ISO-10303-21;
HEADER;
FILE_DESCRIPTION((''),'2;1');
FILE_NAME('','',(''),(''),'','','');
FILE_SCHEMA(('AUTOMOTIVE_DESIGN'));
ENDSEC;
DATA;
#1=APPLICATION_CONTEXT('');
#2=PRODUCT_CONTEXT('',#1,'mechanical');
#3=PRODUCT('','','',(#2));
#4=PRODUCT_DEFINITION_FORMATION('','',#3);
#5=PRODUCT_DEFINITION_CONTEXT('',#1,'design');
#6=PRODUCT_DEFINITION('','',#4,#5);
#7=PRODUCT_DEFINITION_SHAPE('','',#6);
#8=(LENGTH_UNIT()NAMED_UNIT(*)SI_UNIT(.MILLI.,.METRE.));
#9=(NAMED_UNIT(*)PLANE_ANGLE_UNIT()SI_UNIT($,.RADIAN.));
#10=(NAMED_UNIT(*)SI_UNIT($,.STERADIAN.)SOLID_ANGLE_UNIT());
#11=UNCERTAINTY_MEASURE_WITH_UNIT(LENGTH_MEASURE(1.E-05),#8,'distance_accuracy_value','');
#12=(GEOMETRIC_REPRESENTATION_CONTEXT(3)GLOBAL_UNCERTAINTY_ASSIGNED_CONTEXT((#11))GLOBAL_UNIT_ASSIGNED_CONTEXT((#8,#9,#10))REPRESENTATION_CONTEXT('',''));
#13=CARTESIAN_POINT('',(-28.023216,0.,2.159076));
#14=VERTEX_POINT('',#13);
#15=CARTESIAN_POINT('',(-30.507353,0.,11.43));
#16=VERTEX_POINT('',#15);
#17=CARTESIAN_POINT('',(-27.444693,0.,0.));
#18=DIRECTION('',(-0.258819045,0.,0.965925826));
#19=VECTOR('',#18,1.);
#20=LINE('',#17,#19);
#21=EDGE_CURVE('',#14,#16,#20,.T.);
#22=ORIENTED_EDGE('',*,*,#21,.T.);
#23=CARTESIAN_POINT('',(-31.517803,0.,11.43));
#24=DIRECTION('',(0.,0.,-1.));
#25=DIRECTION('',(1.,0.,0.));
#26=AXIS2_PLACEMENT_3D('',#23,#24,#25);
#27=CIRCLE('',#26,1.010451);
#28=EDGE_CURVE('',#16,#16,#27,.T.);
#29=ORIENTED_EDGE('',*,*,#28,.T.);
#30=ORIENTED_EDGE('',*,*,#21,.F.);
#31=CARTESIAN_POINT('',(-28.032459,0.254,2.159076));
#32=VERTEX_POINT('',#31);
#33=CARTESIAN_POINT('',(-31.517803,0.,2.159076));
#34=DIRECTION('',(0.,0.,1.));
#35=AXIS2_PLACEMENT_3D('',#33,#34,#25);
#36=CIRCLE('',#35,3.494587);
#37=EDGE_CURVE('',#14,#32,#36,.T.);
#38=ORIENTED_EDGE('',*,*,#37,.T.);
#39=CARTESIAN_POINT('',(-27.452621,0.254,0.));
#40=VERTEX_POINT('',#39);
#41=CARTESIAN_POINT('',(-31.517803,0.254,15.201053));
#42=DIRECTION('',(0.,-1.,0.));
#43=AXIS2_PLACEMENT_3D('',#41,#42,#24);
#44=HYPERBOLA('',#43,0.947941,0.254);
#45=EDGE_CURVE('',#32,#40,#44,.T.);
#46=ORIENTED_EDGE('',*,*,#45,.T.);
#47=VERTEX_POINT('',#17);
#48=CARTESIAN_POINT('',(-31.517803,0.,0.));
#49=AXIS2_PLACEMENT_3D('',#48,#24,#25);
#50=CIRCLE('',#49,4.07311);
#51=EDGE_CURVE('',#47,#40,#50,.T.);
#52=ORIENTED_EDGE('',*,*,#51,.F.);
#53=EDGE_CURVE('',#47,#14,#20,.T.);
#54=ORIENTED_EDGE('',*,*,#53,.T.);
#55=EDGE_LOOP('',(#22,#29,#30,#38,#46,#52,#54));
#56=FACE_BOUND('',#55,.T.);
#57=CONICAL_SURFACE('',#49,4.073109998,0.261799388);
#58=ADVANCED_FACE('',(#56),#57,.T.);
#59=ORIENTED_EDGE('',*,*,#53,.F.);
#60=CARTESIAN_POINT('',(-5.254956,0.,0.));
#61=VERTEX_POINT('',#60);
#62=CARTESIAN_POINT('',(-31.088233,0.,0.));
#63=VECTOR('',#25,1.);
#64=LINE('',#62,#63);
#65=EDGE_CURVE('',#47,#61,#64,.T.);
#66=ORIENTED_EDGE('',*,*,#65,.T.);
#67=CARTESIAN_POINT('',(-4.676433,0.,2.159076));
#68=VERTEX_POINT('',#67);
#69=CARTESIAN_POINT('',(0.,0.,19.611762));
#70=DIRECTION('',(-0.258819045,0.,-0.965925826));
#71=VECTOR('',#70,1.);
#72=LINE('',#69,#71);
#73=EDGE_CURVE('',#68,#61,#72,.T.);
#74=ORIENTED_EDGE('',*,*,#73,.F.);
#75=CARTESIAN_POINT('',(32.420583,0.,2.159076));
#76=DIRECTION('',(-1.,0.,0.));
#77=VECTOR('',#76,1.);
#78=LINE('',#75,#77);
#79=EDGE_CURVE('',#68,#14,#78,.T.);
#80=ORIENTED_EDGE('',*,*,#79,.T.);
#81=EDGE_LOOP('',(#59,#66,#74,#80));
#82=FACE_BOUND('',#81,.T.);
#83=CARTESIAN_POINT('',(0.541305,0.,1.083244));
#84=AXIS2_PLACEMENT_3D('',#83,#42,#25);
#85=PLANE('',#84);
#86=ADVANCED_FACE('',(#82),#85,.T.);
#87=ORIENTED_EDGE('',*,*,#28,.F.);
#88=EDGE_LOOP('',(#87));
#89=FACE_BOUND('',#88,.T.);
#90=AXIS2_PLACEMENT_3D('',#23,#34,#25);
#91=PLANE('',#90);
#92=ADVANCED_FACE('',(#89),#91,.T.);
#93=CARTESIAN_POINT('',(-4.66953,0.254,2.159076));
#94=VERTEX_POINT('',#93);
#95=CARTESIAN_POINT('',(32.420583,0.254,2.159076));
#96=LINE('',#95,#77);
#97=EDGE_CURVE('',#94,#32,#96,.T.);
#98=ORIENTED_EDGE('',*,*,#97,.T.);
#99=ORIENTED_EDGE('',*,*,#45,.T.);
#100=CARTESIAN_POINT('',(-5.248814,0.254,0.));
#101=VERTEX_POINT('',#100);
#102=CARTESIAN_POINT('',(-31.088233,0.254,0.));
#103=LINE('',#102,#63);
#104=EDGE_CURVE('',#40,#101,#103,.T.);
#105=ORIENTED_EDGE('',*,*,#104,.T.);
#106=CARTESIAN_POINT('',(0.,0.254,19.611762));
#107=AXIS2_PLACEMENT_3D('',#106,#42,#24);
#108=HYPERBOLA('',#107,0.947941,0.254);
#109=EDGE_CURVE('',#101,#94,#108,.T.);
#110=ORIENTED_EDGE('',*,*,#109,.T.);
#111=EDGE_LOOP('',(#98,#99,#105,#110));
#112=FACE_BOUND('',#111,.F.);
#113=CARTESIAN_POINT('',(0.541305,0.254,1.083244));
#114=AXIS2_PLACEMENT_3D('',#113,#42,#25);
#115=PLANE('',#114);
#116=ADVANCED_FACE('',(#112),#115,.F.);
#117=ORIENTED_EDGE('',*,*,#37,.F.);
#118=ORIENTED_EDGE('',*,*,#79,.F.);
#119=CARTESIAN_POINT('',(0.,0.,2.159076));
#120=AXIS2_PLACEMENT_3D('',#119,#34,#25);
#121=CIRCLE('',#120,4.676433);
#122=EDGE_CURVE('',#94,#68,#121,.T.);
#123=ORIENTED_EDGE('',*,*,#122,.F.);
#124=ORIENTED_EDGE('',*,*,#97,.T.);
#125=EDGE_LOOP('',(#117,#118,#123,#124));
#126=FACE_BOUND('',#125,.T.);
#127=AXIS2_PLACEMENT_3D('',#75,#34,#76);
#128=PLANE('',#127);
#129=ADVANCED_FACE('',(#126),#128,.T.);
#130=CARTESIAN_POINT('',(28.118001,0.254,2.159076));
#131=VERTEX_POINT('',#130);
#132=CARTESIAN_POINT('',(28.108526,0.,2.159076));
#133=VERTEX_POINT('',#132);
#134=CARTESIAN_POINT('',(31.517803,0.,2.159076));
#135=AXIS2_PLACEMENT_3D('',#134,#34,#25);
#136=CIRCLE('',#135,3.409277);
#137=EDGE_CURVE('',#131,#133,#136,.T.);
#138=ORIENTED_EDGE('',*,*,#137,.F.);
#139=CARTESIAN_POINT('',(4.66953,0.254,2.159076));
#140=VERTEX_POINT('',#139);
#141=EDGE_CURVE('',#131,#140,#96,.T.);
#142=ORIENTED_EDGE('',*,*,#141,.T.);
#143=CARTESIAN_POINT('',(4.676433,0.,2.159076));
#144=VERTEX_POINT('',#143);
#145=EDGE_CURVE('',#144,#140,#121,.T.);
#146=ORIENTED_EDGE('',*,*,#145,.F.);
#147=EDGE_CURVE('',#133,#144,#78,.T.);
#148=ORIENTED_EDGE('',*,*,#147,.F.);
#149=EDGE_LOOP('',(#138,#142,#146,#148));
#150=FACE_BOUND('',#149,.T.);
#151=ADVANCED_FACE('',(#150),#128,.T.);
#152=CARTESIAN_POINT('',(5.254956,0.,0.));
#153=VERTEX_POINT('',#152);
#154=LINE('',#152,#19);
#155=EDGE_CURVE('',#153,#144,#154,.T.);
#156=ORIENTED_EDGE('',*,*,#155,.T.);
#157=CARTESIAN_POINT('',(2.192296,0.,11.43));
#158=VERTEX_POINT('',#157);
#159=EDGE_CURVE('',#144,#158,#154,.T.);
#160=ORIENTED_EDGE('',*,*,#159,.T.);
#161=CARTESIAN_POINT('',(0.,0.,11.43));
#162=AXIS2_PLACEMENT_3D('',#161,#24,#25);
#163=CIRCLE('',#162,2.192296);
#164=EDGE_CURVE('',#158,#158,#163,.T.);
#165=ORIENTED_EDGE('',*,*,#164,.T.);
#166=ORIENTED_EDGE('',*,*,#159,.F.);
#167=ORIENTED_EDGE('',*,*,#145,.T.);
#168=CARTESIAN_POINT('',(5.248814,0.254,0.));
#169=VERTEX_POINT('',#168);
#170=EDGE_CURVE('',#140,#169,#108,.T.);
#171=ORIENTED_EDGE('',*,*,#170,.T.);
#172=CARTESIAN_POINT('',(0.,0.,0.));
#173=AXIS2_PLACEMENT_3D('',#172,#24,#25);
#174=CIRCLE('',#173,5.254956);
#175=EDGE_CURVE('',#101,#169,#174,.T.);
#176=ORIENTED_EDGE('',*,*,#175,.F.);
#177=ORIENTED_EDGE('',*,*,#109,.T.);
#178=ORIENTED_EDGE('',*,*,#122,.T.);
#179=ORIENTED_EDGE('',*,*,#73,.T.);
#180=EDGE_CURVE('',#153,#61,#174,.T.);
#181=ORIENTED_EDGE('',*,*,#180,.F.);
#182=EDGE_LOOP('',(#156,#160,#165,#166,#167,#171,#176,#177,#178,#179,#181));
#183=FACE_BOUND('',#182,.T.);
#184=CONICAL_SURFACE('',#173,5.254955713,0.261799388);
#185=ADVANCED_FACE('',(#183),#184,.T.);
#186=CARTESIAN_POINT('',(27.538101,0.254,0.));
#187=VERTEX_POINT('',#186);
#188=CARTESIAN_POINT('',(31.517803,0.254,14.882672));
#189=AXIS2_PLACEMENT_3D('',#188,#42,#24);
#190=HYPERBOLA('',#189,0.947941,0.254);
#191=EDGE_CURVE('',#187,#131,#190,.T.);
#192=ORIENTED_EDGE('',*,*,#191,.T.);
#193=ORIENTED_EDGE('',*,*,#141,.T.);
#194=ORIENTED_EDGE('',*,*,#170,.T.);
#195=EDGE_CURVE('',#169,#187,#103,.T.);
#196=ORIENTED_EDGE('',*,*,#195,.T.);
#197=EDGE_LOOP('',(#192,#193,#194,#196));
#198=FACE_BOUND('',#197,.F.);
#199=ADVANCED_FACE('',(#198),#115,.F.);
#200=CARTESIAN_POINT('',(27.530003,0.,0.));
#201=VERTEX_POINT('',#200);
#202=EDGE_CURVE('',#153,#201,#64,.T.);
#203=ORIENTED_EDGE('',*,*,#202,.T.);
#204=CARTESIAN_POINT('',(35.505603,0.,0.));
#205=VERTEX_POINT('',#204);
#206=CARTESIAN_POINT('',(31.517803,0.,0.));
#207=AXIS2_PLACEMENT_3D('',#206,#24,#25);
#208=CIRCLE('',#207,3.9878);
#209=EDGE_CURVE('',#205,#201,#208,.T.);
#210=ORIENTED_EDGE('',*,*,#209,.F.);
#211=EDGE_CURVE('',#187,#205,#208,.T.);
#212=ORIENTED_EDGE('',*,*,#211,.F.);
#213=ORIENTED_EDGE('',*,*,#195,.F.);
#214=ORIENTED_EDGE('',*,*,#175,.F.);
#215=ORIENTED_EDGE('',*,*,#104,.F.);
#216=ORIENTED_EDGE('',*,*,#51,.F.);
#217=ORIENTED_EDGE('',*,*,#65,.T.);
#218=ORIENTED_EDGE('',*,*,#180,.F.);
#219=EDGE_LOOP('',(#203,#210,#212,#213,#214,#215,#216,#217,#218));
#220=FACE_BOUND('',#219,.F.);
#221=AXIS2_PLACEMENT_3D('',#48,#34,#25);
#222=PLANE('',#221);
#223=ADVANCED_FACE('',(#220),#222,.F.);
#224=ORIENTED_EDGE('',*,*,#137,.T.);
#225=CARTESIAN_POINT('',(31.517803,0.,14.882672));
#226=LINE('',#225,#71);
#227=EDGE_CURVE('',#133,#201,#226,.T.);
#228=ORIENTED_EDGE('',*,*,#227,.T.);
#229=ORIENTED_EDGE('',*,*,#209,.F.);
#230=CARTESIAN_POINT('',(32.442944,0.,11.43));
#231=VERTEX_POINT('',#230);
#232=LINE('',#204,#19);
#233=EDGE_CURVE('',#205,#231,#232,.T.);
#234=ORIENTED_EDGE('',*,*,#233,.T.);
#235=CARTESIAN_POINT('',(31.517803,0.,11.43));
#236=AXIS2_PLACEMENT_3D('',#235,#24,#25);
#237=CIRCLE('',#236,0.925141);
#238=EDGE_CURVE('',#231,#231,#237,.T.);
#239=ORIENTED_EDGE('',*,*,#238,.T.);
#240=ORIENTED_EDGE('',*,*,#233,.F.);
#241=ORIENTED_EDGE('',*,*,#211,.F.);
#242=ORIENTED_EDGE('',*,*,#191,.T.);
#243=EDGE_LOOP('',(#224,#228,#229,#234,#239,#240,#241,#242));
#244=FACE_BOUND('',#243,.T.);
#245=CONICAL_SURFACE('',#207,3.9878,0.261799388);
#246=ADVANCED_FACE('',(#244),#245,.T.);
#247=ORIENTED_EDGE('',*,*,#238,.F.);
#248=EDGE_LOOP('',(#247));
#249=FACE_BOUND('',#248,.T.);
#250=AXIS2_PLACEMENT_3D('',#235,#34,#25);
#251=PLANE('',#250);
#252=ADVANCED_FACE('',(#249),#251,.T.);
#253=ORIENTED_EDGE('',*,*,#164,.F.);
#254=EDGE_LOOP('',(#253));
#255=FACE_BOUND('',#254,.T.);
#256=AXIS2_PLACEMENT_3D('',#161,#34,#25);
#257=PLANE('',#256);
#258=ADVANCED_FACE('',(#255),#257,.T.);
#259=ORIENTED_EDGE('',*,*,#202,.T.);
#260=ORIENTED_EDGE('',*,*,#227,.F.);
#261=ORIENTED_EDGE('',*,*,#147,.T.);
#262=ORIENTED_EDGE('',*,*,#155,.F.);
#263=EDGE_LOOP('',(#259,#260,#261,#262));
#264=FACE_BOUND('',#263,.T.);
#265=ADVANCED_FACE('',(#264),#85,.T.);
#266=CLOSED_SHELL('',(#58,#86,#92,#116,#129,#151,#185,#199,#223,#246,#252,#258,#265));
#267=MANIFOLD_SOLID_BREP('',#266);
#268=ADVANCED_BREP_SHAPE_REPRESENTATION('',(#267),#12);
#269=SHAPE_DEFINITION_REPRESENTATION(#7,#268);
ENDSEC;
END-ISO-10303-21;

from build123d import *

# Parameters (mm, degrees)
F0_R     = 5.2549557128
F1_DEPTH = 11.43
F1_TAPER = 15
F0_R_2   = 3.9878
F0_R_3   = 4.0731099985
F3_DEPTH = 0.254


with BuildPart() as f1:
    # F0 (on Top) → F1 (new body)
    with BuildSketch(Plane.XY):
        Circle(F0_R)
    extrude(amount=F1_DEPTH, taper=F1_TAPER)



with BuildPart() as f1b:
    # F0 (on Top) → F1, piece 2 (new body)
    with BuildSketch(Plane.XY):
        with Locations((31.517803368, 0)):
            Circle(F0_R_2)
    extrude(amount=F1_DEPTH, taper=F1_TAPER)


with BuildPart() as f1c:
    # F0 (on Top) → F1, piece 3 (new body)
    with BuildSketch(Plane.XY):
        with Locations((-31.517803368, 0)):
            Circle(F0_R_3)
    extrude(amount=F1_DEPTH, taper=F1_TAPER)


with BuildPart() as f1_1:
    add(f1.part)

    add(f1b.part)  # F3 merges F1b

    add(f1c.part)  # F3 merges F1c
    # F2 (on Front) → F3 (join)
    with BuildSketch(Plane.XZ):
        Polygon((-31.5407924354, 2.1590758115), (-31.0882329941, 0), (0, 0), (32.4205830693, 0), (32.4205830693, 2.1590758115), (0, 2.1590758115), align=None)
    extrude(amount=-F3_DEPTH)


solid = f1_1.part
